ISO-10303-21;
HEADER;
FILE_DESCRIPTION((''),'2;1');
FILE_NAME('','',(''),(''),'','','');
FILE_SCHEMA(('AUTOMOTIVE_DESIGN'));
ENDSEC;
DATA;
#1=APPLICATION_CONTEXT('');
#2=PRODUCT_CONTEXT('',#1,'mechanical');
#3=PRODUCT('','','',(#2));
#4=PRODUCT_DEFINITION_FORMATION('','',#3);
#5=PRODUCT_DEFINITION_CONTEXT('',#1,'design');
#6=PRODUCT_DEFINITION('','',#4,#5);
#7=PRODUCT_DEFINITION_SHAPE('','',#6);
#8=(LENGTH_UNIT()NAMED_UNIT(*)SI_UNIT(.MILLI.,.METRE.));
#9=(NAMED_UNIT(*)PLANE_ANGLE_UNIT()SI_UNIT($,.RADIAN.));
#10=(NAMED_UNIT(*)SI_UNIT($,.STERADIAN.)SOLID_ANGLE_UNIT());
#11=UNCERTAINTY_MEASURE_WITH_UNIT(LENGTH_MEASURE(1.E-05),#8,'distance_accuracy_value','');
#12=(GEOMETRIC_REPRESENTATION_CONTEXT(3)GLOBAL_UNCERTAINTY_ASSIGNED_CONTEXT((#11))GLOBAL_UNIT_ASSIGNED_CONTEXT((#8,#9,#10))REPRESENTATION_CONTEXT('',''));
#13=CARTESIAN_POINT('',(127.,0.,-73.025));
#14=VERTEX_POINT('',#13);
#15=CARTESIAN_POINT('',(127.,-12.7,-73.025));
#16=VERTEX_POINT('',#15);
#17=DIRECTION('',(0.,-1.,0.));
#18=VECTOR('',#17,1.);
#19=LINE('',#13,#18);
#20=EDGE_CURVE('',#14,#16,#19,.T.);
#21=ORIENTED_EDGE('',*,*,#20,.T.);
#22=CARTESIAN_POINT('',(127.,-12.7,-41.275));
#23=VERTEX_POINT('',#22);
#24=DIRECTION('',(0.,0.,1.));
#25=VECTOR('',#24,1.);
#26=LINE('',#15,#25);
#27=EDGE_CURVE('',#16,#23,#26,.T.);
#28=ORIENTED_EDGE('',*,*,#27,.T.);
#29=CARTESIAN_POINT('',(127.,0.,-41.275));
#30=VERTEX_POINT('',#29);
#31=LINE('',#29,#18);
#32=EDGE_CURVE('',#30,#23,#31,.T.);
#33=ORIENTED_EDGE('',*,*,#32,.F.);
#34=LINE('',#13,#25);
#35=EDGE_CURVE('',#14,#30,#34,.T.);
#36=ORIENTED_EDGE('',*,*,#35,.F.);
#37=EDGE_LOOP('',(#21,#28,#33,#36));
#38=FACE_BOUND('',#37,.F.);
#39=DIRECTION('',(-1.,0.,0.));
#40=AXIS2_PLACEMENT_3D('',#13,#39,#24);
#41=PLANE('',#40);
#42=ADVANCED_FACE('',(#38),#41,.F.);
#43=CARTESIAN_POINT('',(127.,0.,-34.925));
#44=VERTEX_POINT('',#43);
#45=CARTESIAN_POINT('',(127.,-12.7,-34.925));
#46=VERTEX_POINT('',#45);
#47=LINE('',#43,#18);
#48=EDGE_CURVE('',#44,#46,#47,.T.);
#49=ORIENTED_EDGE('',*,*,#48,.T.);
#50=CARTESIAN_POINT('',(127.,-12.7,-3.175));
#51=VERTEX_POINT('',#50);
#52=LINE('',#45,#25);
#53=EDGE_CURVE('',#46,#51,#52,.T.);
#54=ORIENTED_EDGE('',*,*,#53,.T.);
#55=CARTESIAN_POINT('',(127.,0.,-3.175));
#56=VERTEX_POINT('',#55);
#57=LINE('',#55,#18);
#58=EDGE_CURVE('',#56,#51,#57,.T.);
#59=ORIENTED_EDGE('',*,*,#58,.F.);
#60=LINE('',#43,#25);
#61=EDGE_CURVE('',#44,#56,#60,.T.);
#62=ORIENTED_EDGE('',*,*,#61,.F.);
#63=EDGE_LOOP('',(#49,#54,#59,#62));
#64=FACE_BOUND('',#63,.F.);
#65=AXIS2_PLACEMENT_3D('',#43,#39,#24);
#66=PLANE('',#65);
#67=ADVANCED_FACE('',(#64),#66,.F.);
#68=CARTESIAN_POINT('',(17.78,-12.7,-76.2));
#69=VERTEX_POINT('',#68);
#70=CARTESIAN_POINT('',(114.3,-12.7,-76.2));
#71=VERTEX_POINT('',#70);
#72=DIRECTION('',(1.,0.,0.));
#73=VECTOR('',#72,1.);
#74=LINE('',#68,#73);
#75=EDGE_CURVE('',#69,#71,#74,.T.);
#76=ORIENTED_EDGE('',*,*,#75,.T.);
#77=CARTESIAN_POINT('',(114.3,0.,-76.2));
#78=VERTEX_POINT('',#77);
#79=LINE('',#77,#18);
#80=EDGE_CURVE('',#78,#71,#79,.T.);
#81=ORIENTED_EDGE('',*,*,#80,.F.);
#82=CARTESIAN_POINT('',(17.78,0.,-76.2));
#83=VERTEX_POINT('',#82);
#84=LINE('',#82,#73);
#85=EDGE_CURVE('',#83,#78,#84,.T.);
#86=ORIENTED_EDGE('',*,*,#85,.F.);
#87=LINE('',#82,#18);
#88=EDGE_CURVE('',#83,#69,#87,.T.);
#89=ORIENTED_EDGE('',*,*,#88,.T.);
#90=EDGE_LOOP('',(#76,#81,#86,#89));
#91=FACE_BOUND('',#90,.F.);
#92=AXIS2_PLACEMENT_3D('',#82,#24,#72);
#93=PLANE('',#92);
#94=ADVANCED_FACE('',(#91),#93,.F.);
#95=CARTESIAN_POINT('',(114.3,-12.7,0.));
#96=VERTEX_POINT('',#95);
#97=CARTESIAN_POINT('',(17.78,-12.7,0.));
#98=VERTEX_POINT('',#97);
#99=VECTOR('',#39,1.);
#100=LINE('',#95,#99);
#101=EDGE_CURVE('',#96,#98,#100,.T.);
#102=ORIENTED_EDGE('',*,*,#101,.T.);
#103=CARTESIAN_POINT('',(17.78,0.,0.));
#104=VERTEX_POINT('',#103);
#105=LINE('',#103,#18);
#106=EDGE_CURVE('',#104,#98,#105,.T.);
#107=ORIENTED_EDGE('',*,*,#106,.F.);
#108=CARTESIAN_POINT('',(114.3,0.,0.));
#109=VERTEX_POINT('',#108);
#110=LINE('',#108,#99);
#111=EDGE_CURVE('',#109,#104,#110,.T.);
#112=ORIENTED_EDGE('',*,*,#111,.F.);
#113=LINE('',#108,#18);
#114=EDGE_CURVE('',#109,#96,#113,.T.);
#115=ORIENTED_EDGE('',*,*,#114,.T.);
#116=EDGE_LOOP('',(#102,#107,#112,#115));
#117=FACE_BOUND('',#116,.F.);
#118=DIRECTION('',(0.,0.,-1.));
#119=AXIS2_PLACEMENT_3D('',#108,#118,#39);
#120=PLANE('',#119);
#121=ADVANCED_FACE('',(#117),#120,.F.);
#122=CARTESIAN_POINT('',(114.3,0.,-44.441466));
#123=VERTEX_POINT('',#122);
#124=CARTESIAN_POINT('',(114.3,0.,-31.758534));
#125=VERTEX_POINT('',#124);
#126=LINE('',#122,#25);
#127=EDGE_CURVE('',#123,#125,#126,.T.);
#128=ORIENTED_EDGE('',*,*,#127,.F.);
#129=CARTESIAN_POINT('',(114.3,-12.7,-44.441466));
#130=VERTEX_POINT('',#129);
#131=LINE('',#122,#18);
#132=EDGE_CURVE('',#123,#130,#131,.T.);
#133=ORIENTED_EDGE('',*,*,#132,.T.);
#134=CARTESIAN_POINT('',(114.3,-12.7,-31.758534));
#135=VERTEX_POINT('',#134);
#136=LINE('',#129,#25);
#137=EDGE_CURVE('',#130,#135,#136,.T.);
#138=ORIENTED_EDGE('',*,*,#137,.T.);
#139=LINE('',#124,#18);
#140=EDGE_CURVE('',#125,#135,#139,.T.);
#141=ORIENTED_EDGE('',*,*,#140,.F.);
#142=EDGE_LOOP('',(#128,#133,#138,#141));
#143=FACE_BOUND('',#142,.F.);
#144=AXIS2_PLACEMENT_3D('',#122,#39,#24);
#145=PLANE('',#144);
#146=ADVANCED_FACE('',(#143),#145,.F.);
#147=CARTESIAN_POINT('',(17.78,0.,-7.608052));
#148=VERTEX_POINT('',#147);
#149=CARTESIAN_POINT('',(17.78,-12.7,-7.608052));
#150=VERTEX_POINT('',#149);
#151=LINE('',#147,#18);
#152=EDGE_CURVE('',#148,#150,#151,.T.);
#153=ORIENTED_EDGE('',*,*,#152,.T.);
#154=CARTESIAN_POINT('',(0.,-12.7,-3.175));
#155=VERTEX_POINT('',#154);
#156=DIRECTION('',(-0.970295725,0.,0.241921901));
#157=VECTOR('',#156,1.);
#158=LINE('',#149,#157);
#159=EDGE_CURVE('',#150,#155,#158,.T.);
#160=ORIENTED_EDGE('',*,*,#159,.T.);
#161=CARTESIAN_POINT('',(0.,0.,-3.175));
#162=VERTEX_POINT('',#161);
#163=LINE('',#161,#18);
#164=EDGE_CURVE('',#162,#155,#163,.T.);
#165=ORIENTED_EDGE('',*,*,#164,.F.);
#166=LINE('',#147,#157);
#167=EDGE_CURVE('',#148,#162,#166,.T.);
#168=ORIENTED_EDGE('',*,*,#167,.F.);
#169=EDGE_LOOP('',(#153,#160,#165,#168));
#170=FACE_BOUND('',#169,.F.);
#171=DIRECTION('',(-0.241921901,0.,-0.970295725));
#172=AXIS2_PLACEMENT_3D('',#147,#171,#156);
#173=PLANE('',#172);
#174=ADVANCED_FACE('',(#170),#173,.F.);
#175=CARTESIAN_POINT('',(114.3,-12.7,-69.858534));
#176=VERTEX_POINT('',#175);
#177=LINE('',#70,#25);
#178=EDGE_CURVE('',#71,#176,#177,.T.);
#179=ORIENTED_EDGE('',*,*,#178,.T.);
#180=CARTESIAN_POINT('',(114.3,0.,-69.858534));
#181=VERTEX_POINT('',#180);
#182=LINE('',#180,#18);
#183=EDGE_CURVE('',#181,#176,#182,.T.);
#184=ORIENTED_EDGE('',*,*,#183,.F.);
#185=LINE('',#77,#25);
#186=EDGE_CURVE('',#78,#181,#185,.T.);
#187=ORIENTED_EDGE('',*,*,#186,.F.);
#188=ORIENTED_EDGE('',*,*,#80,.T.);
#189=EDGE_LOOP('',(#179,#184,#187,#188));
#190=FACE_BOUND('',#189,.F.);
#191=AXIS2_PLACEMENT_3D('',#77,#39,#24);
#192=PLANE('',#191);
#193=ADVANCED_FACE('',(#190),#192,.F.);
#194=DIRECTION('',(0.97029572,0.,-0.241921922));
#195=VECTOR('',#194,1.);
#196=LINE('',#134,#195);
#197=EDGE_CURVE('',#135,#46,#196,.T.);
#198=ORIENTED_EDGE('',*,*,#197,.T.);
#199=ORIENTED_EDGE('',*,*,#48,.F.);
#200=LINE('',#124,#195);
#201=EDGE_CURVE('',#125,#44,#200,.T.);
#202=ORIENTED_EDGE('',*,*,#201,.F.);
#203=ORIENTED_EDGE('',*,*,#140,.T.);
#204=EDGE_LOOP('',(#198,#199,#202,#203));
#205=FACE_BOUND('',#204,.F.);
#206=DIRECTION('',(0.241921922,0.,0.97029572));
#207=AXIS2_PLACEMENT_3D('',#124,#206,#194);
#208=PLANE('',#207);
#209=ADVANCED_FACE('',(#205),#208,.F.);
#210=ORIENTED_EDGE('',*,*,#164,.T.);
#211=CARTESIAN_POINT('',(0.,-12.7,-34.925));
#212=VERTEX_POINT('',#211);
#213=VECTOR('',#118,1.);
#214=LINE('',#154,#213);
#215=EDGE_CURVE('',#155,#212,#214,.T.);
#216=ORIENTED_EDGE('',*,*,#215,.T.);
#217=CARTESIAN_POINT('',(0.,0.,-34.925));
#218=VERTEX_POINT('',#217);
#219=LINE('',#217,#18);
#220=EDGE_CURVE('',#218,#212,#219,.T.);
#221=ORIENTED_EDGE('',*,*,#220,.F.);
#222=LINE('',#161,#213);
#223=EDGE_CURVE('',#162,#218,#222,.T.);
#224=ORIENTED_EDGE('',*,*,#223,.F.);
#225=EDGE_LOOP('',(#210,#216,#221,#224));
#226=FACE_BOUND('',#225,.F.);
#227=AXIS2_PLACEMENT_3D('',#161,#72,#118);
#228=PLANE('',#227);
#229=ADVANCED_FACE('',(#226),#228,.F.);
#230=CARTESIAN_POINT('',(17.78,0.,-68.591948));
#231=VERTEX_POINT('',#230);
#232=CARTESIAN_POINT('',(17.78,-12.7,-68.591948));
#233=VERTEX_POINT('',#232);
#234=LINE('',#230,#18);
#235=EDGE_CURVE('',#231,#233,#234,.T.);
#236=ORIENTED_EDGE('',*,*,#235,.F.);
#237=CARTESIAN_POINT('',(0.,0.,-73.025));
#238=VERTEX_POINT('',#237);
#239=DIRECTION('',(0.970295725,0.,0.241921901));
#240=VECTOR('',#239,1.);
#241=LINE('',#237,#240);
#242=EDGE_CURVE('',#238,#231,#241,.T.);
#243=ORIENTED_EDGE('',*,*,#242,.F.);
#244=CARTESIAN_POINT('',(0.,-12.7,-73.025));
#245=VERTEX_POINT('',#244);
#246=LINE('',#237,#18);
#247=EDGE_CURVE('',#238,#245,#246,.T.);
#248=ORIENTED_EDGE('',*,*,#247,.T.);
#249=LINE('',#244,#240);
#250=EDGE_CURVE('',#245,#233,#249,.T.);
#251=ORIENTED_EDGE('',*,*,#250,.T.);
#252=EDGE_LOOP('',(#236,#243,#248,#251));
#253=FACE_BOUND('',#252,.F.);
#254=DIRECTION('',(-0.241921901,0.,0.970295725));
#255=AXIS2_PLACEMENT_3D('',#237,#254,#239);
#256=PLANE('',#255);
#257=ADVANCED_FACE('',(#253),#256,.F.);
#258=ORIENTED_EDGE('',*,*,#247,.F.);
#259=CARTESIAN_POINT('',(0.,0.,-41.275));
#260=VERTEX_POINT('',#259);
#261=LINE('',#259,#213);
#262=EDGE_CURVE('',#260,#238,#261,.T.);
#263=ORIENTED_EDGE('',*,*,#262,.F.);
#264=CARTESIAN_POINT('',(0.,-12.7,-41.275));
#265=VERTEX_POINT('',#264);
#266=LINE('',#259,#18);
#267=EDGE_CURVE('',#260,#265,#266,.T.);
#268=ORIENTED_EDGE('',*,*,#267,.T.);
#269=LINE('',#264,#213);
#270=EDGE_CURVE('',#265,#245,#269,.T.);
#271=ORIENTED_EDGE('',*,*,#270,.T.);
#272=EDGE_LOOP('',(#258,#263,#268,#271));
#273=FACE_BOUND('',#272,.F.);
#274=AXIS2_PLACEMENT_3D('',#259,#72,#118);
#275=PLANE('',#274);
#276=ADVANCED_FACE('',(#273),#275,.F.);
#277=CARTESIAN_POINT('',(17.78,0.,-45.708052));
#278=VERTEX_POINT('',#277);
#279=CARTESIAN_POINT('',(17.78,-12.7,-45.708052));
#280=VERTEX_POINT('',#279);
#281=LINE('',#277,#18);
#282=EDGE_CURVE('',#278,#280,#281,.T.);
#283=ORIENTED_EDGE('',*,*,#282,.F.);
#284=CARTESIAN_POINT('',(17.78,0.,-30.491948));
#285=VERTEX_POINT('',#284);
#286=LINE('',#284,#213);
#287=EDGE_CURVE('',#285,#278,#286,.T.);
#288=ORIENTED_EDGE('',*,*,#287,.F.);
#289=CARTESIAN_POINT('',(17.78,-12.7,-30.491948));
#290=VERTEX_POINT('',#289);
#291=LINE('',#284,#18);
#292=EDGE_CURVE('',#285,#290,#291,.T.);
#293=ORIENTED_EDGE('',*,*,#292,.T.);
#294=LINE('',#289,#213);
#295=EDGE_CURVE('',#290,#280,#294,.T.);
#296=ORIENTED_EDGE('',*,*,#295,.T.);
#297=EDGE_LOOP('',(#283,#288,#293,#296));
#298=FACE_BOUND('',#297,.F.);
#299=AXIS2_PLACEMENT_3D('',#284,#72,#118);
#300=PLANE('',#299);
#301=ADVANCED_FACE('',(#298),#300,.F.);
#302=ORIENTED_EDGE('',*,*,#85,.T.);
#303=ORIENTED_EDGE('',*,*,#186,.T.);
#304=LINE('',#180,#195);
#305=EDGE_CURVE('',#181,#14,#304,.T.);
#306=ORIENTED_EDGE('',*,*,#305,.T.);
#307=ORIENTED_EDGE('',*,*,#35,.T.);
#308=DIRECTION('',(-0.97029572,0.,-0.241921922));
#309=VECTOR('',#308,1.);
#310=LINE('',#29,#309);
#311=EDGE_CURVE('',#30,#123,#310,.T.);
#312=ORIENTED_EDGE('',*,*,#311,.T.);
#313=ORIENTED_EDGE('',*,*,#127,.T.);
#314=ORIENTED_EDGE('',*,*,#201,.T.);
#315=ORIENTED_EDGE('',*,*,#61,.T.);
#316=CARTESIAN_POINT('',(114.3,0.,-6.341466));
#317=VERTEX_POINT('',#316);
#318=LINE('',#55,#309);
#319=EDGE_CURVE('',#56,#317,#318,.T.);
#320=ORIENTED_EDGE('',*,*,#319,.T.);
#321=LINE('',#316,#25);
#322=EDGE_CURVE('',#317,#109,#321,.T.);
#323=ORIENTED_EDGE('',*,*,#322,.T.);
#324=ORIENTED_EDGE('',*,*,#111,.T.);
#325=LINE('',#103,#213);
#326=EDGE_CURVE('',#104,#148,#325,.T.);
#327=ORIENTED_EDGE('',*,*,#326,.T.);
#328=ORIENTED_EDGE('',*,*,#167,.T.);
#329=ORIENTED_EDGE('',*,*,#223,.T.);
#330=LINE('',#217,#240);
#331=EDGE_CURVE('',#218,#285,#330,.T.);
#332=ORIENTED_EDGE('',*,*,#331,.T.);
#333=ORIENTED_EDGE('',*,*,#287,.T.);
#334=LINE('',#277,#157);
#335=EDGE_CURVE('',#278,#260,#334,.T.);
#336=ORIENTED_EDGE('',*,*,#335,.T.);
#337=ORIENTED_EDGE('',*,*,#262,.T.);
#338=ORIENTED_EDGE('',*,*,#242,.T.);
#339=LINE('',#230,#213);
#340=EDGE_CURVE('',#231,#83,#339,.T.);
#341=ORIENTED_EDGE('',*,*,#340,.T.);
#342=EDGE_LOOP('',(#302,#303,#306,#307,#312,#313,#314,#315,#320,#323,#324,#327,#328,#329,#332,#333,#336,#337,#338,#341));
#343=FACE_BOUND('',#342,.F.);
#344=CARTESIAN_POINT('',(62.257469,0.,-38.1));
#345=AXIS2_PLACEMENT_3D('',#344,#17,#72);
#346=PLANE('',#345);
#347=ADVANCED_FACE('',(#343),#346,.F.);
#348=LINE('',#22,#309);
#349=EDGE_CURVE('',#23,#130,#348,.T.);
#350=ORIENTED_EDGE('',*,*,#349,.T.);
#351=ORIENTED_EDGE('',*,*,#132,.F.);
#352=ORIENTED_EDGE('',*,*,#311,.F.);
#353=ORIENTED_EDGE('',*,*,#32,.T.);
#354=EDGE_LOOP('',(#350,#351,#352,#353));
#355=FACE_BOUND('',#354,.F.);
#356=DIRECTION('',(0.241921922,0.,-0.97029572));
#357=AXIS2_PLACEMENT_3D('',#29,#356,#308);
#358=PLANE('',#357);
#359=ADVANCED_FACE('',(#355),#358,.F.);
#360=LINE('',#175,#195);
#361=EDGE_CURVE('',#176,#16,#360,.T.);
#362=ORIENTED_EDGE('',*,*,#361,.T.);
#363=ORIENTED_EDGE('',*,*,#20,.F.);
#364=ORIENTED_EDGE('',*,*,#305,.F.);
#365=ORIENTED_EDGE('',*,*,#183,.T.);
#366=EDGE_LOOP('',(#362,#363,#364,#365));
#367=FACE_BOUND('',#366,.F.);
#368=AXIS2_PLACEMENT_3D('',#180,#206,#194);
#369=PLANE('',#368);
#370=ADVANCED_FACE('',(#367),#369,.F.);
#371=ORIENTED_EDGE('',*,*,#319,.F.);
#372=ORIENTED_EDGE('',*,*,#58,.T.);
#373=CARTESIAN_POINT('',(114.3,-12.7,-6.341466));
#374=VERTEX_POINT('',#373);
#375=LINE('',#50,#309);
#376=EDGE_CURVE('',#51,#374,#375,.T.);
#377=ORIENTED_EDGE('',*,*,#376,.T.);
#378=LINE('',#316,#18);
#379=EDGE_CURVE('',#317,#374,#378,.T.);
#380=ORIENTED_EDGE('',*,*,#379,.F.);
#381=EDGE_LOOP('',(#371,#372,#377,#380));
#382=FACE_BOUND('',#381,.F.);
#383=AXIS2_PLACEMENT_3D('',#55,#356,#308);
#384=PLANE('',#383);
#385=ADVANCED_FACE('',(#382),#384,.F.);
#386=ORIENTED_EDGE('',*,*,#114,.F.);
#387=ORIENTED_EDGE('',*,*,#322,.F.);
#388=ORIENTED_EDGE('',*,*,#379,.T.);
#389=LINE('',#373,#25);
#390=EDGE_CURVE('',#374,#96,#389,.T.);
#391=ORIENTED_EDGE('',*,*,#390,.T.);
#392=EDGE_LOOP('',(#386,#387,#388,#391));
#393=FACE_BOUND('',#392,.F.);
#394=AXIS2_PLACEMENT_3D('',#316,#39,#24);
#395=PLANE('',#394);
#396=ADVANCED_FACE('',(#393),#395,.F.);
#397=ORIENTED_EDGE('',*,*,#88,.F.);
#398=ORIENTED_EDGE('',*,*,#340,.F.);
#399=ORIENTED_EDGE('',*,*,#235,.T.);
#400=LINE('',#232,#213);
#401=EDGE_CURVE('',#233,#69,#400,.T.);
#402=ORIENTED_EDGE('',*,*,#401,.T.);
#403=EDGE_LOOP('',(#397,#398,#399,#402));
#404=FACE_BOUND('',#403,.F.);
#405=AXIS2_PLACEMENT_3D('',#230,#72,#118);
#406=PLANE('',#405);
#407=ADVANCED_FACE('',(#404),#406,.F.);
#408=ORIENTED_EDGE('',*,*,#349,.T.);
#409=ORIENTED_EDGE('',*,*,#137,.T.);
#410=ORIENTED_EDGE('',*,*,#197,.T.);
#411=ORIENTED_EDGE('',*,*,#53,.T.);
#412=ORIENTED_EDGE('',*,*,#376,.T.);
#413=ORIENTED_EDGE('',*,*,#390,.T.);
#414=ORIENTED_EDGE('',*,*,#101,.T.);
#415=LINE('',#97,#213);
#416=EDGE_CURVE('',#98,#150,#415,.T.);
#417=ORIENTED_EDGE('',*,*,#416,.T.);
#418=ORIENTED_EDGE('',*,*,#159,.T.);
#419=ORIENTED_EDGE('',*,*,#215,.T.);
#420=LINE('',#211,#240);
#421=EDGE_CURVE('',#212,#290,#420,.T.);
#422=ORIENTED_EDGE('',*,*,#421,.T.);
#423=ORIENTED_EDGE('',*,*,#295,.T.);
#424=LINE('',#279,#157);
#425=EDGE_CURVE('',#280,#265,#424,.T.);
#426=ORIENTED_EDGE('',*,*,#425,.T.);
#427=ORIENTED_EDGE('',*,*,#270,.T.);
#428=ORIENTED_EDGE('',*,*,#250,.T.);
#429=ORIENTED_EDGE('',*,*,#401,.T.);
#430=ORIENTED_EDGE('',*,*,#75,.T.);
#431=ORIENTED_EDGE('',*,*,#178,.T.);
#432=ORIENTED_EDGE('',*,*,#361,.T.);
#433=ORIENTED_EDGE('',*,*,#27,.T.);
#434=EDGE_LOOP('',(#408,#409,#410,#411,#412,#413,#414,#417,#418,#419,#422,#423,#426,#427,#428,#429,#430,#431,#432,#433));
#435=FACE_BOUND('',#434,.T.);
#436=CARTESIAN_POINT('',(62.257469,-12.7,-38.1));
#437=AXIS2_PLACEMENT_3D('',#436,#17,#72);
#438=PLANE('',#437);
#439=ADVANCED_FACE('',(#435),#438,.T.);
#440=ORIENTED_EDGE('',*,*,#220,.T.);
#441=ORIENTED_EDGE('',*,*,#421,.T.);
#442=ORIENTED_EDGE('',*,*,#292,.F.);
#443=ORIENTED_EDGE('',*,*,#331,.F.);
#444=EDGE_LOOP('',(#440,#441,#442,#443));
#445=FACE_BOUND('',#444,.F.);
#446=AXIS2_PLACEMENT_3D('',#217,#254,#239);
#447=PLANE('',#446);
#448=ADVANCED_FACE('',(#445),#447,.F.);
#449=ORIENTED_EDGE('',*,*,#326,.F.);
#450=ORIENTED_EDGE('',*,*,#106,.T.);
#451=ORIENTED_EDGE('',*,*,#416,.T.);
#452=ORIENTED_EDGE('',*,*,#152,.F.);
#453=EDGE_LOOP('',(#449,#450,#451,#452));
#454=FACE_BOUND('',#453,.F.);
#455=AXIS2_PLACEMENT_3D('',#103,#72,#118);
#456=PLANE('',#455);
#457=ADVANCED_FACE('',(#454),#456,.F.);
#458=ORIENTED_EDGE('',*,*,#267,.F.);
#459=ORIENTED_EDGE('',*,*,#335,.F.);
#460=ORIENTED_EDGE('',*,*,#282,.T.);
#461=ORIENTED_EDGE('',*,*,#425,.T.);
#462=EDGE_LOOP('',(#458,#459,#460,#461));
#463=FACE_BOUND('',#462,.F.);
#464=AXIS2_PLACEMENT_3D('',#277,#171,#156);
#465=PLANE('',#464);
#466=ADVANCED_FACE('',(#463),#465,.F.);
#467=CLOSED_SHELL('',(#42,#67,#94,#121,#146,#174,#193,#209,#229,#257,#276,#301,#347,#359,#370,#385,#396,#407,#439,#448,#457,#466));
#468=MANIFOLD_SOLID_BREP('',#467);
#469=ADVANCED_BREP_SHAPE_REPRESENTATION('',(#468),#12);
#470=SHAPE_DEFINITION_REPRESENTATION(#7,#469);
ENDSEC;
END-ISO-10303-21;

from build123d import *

# Parameters (mm, degrees)
F1_DEPTH = 12.7


with BuildPart() as f1:
    # F0 (on Front) → F1 (new body)
    with BuildSketch(Plane.XZ):
        Polygon((114.3, 0), (17.78, 0), (17.78, -7.608052), (0, -3.175), (0, -34.925), (17.78, -30.491948), (17.78, -38.1), (17.78, -45.708052), (0, -41.275), (0, -73.025), (17.78, -68.591948), (17.78, -76.2), (114.3, -76.2), (114.3, -69.858534), (127, -73.025), (127, -41.275), (114.3, -44.441466), (114.3, -38.1), (114.3, -31.758534), (127, -34.925), (127, -3.175), (114.3, -6.341466), align=None)
    extrude(amount=F1_DEPTH)


solid = f1.part
